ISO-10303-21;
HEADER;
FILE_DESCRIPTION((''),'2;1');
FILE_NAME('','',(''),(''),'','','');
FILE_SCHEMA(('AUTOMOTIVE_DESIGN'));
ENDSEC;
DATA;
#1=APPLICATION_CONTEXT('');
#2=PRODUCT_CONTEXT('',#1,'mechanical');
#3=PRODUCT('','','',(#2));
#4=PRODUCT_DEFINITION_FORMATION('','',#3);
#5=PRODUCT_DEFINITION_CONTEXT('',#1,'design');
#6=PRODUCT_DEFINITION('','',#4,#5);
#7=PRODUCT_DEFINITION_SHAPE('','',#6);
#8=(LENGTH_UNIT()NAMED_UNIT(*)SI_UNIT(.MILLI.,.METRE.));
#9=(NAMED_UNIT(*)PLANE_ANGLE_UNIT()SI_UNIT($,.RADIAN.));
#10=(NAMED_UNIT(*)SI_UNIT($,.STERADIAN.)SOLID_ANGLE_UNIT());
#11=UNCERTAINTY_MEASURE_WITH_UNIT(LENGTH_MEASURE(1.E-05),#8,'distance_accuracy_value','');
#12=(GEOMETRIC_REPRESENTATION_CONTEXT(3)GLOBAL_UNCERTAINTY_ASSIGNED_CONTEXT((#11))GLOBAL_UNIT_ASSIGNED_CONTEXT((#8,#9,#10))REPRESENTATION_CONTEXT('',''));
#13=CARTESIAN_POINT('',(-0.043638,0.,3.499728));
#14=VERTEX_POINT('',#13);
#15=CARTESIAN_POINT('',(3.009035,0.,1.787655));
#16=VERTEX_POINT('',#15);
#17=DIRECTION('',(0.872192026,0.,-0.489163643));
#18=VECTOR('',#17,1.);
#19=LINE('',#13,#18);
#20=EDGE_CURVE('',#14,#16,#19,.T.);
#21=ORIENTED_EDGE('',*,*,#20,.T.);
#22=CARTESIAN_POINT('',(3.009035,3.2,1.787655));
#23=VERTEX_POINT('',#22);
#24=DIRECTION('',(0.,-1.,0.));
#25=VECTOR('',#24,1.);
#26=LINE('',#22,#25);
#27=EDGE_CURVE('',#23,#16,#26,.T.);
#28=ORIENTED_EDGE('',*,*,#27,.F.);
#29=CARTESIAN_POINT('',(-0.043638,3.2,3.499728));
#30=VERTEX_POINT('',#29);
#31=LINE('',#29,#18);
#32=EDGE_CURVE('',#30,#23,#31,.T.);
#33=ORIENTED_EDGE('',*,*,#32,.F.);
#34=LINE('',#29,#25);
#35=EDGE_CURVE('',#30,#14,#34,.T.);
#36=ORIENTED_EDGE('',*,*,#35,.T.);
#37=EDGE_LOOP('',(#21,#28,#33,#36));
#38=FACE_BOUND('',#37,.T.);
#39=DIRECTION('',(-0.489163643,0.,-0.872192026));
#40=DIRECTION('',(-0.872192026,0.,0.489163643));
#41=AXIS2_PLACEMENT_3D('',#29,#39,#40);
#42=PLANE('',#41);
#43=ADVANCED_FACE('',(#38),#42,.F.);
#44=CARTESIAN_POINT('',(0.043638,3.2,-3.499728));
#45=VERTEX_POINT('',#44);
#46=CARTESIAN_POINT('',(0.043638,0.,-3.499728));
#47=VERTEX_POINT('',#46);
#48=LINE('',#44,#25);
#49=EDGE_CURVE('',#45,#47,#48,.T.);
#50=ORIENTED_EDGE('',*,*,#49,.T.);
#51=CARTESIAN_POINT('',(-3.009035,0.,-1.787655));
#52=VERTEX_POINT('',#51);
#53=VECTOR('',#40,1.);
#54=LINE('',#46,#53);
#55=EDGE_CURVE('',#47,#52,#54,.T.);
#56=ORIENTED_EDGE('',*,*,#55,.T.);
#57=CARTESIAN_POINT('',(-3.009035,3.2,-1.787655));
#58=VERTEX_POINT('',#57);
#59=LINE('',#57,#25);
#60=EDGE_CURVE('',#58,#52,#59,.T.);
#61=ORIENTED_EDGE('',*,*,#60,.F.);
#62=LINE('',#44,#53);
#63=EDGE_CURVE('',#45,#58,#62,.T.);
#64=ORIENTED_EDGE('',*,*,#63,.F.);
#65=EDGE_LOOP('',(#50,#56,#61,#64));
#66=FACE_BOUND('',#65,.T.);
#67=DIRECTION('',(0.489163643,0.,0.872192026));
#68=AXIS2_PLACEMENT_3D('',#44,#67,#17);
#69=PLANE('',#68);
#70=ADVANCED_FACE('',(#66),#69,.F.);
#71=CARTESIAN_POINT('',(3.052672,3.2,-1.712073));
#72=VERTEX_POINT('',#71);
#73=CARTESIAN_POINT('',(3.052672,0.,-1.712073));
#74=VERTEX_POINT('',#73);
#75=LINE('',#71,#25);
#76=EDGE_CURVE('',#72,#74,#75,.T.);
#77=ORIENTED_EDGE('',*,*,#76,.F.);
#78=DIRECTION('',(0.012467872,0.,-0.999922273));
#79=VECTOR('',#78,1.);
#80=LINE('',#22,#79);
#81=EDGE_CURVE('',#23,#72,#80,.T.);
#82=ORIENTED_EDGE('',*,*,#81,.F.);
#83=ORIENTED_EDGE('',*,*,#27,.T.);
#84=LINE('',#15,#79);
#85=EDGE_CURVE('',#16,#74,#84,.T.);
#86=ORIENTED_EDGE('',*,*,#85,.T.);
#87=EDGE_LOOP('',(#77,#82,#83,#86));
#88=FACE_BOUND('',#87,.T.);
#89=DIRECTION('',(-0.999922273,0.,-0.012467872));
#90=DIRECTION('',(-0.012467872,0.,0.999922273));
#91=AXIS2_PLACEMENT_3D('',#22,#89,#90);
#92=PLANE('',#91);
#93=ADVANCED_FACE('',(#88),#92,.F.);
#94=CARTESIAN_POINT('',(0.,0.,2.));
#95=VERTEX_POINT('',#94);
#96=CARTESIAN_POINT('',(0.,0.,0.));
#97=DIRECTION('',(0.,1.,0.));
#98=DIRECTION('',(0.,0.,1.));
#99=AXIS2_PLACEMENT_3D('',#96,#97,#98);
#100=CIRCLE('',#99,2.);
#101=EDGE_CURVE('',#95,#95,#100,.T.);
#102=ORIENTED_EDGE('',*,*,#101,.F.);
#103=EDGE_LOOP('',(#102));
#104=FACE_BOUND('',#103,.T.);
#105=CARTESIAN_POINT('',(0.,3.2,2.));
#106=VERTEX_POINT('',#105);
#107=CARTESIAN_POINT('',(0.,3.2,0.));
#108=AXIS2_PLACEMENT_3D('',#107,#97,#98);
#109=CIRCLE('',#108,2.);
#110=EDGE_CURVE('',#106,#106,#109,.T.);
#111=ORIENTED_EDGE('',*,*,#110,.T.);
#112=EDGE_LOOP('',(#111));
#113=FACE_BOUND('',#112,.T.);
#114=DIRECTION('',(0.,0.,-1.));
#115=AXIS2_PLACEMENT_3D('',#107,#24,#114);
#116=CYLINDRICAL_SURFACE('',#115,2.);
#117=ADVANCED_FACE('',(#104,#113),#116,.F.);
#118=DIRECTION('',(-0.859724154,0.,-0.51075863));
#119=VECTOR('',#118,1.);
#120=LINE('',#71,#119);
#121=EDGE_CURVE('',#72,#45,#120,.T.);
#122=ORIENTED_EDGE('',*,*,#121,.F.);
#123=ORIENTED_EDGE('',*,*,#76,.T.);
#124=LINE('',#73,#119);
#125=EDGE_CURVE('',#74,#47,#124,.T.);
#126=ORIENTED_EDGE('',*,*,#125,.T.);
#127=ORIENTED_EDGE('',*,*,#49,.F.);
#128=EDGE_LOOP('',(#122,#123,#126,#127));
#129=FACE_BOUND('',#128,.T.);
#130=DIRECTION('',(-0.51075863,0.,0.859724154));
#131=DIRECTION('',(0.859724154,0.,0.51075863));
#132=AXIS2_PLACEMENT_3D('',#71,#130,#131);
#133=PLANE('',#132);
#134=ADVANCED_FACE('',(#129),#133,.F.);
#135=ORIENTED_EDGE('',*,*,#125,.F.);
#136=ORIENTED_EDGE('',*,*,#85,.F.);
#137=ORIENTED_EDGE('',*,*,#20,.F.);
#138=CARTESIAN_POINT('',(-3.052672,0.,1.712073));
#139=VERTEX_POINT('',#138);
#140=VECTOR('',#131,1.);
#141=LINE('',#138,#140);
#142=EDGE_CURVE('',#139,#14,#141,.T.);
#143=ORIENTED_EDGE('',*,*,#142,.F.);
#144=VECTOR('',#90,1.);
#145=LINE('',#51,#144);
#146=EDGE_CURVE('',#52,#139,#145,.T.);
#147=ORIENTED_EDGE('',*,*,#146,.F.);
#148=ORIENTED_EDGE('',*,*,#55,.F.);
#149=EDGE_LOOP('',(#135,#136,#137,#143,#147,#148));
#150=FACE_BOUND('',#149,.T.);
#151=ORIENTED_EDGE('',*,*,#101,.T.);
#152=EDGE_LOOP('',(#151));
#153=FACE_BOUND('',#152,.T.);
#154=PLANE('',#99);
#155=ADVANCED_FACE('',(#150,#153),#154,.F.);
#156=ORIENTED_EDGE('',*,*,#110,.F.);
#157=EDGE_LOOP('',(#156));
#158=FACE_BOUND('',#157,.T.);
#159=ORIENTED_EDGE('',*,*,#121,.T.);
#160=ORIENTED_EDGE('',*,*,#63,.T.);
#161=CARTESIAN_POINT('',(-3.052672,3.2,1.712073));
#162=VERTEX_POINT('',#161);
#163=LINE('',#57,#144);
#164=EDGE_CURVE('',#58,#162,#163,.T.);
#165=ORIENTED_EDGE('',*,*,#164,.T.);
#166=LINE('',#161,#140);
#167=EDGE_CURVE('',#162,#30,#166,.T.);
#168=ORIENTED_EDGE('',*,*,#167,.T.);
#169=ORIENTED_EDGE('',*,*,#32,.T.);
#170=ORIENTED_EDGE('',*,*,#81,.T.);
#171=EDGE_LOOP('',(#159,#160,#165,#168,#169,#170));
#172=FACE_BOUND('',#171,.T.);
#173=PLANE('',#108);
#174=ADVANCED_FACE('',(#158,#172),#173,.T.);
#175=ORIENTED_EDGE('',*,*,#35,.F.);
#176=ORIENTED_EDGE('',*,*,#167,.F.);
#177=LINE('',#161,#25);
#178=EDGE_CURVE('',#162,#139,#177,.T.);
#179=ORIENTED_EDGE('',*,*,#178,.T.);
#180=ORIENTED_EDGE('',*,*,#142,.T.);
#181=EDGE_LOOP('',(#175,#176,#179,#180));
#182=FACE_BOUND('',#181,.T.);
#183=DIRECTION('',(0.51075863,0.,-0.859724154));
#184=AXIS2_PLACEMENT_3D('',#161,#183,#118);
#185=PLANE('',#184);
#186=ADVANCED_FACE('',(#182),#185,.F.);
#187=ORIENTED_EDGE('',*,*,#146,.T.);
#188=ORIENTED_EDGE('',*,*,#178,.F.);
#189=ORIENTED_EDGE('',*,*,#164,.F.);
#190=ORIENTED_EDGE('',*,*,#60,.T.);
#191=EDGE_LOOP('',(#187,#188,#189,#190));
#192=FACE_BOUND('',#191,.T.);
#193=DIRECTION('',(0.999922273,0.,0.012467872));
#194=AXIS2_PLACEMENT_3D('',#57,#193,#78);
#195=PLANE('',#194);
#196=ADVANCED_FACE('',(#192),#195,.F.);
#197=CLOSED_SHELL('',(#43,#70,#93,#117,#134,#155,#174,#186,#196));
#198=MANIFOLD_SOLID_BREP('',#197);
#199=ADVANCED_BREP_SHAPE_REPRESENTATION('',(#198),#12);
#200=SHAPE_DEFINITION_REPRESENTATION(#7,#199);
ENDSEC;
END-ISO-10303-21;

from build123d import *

# Parameters (mm, degrees)
SKETCH2_R           = 2
BOSS_EXTRUDE1_DEPTH = 3.2


with BuildPart() as part:
    # Sketch2 → Boss-Extrude1 (new body)
    with BuildSketch(Plane(origin=(0, 0, 0), x_dir=(1, 0, 0), z_dir=(0, 1, 0))):
        Polygon((3.00903454, -1.787655206), (3.052672092, 1.712072749), (0.043637552, 3.499727956), (-3.00903454, 1.787655206), (-3.052672092, -1.712072749), (-0.043637552, -3.499727956), align=None)
        with Locations(Location((0, 0, 0), (0, 0, 270))):
            Circle(SKETCH2_R, mode=Mode.SUBTRACT)
    extrude(amount=BOSS_EXTRUDE1_DEPTH)


solid = part.part
